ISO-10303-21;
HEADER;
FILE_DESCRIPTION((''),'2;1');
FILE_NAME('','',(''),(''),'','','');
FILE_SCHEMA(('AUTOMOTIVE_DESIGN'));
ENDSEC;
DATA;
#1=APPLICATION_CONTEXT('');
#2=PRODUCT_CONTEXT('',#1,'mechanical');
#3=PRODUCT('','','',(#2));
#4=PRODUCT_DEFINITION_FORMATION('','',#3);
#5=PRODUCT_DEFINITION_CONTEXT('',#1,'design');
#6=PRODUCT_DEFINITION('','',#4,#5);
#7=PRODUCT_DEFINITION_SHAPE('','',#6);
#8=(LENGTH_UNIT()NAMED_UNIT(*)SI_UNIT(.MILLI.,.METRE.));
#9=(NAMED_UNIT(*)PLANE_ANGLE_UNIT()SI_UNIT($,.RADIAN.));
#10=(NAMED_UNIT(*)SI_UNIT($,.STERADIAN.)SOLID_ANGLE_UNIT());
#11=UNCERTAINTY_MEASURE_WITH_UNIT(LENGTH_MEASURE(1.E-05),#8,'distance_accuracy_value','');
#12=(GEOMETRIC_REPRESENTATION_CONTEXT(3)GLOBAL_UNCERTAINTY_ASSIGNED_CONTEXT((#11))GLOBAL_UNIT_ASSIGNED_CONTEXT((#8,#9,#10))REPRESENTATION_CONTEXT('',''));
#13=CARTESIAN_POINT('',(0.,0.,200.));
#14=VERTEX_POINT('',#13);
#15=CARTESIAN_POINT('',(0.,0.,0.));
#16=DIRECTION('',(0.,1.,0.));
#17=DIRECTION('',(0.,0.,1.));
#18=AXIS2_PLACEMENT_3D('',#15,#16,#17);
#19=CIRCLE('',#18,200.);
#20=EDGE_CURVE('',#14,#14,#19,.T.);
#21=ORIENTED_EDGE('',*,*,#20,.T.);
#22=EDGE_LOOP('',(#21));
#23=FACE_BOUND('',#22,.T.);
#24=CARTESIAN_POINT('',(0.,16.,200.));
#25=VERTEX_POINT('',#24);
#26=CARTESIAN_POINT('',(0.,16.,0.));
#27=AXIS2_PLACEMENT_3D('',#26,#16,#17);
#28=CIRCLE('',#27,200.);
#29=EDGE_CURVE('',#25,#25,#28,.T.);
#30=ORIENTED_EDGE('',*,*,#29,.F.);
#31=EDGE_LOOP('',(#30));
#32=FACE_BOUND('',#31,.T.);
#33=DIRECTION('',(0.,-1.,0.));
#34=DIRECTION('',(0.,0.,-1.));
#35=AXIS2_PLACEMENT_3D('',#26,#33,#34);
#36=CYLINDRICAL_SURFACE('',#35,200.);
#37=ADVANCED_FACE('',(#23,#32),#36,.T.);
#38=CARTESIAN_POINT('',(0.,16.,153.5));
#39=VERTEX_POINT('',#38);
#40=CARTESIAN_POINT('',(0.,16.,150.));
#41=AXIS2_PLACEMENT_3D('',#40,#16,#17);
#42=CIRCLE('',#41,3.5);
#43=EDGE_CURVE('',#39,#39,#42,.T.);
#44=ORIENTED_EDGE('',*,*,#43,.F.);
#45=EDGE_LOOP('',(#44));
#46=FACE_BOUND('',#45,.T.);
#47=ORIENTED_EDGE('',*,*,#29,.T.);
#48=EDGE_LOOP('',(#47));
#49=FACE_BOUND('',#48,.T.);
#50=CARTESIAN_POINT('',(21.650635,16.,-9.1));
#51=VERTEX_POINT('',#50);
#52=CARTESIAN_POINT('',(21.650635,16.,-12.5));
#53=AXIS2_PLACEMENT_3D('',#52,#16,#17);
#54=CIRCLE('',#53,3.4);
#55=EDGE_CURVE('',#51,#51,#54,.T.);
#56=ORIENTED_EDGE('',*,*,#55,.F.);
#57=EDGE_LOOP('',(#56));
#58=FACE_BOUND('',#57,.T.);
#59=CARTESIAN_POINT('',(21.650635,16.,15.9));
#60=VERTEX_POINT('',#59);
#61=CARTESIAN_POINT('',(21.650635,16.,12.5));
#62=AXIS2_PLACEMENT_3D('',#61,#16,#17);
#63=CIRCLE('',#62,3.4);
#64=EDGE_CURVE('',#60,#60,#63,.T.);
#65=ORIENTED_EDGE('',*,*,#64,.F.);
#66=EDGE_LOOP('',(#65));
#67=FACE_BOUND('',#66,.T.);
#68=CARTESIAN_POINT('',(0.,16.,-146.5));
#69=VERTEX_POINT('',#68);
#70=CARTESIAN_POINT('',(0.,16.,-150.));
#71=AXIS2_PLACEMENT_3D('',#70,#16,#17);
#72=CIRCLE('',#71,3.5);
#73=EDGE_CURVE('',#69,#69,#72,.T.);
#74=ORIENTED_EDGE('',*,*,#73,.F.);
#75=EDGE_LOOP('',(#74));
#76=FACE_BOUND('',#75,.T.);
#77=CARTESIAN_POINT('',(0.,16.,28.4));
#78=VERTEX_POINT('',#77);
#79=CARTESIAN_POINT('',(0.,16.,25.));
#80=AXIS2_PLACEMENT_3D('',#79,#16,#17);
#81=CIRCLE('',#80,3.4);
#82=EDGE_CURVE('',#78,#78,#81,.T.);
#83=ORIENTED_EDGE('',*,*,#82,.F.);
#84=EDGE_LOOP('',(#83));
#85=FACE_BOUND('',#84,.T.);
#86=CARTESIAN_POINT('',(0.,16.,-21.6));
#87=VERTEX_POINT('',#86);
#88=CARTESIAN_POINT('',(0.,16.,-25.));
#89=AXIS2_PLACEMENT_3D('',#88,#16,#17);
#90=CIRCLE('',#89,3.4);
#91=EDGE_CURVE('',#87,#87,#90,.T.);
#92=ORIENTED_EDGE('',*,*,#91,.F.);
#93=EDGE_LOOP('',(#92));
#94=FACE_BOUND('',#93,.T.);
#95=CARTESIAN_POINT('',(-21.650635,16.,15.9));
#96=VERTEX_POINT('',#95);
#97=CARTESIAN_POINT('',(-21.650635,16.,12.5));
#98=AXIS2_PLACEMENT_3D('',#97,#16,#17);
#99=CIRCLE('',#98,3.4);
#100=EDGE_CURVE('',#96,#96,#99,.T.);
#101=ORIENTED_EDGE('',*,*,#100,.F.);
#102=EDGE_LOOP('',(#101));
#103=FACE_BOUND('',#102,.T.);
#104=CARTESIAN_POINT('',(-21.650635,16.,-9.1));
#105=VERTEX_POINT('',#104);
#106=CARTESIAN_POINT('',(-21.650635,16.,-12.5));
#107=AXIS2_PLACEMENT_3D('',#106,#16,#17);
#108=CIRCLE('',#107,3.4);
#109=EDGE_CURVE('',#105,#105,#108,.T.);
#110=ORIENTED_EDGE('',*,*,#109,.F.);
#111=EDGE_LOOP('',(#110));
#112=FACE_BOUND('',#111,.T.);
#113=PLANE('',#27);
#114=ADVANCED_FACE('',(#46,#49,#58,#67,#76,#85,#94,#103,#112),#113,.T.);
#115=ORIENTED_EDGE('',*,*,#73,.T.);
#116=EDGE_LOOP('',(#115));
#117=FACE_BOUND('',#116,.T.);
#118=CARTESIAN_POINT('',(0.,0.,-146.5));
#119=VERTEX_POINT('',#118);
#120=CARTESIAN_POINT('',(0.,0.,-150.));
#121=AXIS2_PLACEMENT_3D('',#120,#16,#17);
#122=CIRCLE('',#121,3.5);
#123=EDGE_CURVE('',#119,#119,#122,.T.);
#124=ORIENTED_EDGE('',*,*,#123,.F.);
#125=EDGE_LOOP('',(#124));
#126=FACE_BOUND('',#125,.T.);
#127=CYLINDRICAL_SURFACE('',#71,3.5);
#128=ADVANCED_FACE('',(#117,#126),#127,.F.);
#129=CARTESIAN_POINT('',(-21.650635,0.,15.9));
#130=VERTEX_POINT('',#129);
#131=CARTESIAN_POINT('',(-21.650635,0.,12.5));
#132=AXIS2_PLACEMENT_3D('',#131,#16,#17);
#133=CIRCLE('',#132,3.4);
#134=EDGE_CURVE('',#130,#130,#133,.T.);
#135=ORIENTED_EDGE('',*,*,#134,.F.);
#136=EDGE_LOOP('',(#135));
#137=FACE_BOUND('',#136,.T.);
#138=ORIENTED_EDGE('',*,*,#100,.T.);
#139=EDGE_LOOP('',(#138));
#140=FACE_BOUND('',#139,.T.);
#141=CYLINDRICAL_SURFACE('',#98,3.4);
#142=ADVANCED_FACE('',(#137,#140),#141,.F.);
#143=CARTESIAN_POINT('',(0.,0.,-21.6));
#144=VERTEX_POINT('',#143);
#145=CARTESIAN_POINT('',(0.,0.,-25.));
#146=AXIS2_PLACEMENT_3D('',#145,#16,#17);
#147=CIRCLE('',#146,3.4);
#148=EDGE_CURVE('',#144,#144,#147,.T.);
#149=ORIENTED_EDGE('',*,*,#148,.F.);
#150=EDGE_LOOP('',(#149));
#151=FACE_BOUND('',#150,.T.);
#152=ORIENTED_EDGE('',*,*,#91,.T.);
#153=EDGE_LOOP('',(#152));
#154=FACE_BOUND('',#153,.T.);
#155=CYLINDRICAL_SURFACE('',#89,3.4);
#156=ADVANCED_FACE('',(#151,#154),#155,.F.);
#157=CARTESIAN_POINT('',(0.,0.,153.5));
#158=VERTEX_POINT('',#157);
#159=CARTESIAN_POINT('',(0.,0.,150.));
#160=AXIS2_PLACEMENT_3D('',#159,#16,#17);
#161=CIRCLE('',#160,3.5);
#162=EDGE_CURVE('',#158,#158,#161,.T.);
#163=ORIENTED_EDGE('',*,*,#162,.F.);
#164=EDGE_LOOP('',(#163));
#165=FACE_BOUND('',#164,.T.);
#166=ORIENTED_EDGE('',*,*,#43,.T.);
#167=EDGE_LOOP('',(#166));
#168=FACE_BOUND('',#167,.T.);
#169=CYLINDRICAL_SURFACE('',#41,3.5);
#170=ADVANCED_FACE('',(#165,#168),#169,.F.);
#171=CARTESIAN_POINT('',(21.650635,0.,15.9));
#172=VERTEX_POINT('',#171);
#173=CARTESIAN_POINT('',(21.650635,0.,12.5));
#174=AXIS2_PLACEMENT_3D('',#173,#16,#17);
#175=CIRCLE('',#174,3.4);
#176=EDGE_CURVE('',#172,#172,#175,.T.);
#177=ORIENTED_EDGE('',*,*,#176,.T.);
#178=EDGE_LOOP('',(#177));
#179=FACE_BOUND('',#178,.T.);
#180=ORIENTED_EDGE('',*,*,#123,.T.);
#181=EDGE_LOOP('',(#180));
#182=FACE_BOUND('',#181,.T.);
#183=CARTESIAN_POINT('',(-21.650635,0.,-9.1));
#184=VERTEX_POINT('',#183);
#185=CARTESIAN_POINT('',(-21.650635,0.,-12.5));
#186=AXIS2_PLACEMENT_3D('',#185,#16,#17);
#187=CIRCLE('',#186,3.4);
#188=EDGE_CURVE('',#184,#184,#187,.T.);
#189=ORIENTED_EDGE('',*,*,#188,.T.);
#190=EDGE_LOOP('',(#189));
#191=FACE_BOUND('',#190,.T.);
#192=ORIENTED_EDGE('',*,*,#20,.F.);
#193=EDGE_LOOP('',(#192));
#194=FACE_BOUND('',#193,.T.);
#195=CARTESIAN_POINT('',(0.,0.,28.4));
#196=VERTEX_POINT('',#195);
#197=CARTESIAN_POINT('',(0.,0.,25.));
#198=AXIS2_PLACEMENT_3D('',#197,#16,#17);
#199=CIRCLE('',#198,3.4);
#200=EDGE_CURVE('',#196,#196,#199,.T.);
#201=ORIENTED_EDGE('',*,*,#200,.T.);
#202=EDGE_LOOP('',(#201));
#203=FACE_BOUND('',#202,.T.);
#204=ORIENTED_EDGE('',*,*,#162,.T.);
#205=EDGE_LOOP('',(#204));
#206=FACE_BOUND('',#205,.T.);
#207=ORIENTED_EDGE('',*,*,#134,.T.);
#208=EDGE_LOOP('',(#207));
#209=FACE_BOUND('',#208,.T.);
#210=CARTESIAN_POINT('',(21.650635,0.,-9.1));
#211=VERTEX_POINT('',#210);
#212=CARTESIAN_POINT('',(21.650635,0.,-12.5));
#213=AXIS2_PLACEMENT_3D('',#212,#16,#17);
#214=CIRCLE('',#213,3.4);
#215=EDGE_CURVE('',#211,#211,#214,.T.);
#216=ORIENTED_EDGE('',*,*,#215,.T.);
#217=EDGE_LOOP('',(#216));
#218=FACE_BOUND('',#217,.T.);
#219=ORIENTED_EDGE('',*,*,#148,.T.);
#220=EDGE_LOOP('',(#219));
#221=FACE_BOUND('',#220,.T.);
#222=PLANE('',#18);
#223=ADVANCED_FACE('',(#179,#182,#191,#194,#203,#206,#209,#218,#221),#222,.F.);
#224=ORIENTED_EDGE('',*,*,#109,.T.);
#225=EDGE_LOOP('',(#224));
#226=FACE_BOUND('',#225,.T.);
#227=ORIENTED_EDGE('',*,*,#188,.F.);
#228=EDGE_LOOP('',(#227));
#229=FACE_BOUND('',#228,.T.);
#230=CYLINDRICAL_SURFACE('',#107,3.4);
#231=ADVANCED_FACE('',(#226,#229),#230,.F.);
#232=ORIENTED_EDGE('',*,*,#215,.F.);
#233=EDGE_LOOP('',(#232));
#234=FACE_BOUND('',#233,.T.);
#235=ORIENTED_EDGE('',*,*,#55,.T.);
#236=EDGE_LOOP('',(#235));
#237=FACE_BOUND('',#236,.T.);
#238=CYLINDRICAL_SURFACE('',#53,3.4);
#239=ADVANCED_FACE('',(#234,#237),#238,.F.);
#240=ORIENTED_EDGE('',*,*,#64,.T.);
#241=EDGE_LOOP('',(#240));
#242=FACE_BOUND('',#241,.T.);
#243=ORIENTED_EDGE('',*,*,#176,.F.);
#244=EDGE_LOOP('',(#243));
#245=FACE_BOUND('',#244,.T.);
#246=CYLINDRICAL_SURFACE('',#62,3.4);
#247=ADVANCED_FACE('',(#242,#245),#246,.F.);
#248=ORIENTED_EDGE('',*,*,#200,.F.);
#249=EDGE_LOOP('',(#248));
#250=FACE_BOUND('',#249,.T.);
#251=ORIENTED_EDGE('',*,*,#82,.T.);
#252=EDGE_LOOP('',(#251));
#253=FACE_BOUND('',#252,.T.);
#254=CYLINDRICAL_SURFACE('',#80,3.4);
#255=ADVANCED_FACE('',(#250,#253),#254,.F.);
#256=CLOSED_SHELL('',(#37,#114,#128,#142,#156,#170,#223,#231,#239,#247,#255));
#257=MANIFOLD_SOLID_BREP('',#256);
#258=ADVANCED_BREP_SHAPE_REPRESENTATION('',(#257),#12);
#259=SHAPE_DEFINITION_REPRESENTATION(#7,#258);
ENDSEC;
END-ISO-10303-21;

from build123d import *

# Parameters (mm, degrees)
SKETCH1_R             = 200
BOSS_EXTRUDE1_DEPTH   = 16
M8_TAPPED_HOLE1_D     = 6.8
CIRPATTERN1_COUNT     = 6
M8X1_0_TAPPED_HOLE1_D = 7


with BuildPart() as part:
    # Sketch1 → Boss-Extrude1 (new body)
    with BuildSketch(Plane(origin=(0, 0, 0), x_dir=(1, 0, 0), z_dir=(0, 1, 0))):
        Circle(SKETCH1_R)
    extrude(amount=BOSS_EXTRUDE1_DEPTH)

    # M8 Tapped Hole1 (through all)
    with Locations(Plane(origin=(0, 16, 0), x_dir=(1, 0, 0), z_dir=(0, 1, 0))):
        with Locations((0, 25)):
            m8_tapped_hole1 = Hole(M8_TAPPED_HOLE1_D / 2)

    # CirPattern1: M8 Tapped Hole1 ×6 about axis
    cirpattern1_axis = Axis((0, -43.514912226, 0), (0, 1, 0))
    for i in range(1, CIRPATTERN1_COUNT):
        add(m8_tapped_hole1.rotate(cirpattern1_axis, i * 360 / CIRPATTERN1_COUNT), mode=Mode.SUBTRACT)

    # M8x1.0 Tapped Hole1 (through all)
    with Locations(Plane(origin=(0, 16, 0), x_dir=(1, 0, 0), z_dir=(0, 1, 0))):
        with Locations((0, 150), (0, -150)):
            Hole(M8X1_0_TAPPED_HOLE1_D / 2)


solid = part.part
